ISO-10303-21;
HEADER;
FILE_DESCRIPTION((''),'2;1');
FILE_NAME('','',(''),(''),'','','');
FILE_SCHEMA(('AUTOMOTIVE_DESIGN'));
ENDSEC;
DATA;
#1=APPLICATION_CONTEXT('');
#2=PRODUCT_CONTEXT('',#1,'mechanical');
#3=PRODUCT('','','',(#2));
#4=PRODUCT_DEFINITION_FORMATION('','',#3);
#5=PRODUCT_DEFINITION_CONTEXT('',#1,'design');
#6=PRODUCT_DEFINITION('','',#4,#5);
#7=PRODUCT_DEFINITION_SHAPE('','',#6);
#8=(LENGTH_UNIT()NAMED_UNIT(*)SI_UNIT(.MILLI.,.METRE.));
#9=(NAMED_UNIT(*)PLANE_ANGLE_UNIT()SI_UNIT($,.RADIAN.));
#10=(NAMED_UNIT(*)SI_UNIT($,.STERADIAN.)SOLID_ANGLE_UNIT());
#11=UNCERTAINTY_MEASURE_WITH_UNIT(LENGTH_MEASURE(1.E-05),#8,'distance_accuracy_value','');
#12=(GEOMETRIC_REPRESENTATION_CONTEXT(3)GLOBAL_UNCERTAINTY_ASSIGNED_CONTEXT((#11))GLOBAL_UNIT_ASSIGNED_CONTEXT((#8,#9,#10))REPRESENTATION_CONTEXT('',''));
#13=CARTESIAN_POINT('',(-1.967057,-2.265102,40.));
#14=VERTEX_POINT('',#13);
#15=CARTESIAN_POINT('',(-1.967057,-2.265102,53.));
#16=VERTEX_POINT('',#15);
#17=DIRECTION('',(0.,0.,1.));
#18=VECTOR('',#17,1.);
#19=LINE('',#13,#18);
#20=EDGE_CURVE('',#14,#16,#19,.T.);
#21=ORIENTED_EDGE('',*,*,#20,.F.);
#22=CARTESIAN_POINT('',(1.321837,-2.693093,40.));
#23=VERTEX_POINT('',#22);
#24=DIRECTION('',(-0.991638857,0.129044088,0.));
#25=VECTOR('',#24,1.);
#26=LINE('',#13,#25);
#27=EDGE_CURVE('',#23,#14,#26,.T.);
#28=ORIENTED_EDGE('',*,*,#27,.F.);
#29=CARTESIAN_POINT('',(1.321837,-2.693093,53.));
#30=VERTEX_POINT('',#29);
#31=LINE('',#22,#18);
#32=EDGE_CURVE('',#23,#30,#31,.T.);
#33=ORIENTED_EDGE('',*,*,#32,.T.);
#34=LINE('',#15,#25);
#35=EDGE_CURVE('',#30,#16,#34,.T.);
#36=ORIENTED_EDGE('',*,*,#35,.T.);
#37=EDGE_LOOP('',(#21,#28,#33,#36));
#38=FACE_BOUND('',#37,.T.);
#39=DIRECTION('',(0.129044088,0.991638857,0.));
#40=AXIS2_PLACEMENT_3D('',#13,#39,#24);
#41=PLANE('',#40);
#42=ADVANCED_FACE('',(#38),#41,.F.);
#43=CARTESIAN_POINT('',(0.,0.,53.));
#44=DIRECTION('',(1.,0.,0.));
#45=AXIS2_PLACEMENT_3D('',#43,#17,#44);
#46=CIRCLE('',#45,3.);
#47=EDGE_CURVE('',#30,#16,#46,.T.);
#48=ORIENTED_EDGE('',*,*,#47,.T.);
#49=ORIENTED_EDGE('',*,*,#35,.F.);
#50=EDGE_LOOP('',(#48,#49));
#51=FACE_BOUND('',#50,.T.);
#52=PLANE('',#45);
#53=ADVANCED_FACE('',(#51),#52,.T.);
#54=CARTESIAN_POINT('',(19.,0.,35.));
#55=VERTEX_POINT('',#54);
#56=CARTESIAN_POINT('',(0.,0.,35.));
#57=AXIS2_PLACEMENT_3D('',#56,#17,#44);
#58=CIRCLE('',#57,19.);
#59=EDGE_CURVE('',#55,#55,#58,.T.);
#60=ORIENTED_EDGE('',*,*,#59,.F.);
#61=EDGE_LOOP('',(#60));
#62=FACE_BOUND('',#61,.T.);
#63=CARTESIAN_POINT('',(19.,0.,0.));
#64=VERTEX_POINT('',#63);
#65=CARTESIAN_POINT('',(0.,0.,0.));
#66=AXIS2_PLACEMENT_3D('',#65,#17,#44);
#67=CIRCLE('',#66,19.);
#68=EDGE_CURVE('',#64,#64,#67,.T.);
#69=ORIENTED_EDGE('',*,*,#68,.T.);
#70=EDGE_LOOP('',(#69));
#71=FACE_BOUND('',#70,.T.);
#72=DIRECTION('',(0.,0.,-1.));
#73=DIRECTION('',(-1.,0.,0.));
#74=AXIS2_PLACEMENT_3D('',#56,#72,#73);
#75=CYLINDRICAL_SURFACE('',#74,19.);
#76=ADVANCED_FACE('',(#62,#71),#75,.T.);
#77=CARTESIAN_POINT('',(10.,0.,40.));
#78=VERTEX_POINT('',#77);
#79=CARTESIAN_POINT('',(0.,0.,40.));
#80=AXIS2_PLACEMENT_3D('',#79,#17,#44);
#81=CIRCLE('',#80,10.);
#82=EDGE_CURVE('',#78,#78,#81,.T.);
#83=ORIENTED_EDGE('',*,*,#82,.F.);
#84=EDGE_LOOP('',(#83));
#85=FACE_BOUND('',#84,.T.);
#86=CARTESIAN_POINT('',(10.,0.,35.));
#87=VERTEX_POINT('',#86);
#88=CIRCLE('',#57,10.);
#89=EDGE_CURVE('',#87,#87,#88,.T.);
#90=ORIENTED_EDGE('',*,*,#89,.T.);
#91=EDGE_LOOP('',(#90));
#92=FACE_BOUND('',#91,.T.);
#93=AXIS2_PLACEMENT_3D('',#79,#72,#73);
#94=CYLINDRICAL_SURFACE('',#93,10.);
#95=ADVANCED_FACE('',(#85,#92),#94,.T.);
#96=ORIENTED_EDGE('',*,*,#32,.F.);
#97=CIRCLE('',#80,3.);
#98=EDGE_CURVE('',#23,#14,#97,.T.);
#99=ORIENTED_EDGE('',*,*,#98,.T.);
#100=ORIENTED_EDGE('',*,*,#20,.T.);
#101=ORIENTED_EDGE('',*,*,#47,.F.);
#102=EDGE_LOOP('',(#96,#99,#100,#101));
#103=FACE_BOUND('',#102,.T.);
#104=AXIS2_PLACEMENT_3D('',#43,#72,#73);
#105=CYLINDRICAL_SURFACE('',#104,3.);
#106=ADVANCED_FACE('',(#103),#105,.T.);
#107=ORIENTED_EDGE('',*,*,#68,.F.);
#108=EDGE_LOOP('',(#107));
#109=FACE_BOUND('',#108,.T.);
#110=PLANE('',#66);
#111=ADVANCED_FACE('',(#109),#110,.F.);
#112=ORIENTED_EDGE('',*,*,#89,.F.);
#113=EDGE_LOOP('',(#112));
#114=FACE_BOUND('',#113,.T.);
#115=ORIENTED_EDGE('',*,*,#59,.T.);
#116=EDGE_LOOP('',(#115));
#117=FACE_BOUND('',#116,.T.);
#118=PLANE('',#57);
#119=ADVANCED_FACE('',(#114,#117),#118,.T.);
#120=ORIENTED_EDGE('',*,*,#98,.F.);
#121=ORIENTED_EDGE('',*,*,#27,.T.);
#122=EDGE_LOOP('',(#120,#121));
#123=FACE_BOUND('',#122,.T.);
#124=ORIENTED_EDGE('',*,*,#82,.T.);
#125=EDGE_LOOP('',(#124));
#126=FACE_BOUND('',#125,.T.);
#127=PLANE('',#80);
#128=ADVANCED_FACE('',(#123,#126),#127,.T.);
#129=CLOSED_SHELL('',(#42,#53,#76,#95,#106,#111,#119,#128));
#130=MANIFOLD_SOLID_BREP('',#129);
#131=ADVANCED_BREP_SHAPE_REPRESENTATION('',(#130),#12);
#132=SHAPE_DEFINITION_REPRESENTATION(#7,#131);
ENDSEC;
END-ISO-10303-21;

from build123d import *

# Parameters (mm, degrees)
SKETCH1_R           = 19
BOSS_EXTRUDE1_DEPTH = 35
SKETCH2_R           = 10
BOSS_EXTRUDE2_DEPTH = 5
SKETCH3_R           = 3
BOSS_EXTRUDE3_DEPTH = 13
CUT_EXTRUDE1_START  = -13
CUT_EXTRUDE1_DEPTH  = 13


with BuildPart() as part:
    # Sketch1 → Boss-Extrude1 (new body)
    with BuildSketch(Plane.XY):
        Circle(SKETCH1_R)
    extrude(amount=BOSS_EXTRUDE1_DEPTH)

    # Sketch2 → Boss-Extrude2 (add)
    with BuildSketch(Plane.XY.offset(35)):
        Circle(SKETCH2_R)
    extrude(amount=BOSS_EXTRUDE2_DEPTH)

    # Sketch3 → Boss-Extrude3 (add)
    with BuildSketch(Plane.XY.offset(40)):
        with Locations(Location((0, 0, 0), (0, 0, 180))):
            Circle(SKETCH3_R)
    extrude(amount=BOSS_EXTRUDE3_DEPTH)

    # Sketch4 → Cut-Extrude1 (cut)
    with BuildSketch(Plane.XY.offset(53).offset(CUT_EXTRUDE1_START)):
        with BuildLine():
            Line((-1.967057229, -2.265101733), (1.321836789, -2.693092554))
            ThreePointArc((1.321836789, -2.693092554), (-0.387132264, -2.974916572), (-1.967057229, -2.265101733))
        make_face()
    extrude(amount=CUT_EXTRUDE1_DEPTH, mode=Mode.SUBTRACT)


solid = part.part
